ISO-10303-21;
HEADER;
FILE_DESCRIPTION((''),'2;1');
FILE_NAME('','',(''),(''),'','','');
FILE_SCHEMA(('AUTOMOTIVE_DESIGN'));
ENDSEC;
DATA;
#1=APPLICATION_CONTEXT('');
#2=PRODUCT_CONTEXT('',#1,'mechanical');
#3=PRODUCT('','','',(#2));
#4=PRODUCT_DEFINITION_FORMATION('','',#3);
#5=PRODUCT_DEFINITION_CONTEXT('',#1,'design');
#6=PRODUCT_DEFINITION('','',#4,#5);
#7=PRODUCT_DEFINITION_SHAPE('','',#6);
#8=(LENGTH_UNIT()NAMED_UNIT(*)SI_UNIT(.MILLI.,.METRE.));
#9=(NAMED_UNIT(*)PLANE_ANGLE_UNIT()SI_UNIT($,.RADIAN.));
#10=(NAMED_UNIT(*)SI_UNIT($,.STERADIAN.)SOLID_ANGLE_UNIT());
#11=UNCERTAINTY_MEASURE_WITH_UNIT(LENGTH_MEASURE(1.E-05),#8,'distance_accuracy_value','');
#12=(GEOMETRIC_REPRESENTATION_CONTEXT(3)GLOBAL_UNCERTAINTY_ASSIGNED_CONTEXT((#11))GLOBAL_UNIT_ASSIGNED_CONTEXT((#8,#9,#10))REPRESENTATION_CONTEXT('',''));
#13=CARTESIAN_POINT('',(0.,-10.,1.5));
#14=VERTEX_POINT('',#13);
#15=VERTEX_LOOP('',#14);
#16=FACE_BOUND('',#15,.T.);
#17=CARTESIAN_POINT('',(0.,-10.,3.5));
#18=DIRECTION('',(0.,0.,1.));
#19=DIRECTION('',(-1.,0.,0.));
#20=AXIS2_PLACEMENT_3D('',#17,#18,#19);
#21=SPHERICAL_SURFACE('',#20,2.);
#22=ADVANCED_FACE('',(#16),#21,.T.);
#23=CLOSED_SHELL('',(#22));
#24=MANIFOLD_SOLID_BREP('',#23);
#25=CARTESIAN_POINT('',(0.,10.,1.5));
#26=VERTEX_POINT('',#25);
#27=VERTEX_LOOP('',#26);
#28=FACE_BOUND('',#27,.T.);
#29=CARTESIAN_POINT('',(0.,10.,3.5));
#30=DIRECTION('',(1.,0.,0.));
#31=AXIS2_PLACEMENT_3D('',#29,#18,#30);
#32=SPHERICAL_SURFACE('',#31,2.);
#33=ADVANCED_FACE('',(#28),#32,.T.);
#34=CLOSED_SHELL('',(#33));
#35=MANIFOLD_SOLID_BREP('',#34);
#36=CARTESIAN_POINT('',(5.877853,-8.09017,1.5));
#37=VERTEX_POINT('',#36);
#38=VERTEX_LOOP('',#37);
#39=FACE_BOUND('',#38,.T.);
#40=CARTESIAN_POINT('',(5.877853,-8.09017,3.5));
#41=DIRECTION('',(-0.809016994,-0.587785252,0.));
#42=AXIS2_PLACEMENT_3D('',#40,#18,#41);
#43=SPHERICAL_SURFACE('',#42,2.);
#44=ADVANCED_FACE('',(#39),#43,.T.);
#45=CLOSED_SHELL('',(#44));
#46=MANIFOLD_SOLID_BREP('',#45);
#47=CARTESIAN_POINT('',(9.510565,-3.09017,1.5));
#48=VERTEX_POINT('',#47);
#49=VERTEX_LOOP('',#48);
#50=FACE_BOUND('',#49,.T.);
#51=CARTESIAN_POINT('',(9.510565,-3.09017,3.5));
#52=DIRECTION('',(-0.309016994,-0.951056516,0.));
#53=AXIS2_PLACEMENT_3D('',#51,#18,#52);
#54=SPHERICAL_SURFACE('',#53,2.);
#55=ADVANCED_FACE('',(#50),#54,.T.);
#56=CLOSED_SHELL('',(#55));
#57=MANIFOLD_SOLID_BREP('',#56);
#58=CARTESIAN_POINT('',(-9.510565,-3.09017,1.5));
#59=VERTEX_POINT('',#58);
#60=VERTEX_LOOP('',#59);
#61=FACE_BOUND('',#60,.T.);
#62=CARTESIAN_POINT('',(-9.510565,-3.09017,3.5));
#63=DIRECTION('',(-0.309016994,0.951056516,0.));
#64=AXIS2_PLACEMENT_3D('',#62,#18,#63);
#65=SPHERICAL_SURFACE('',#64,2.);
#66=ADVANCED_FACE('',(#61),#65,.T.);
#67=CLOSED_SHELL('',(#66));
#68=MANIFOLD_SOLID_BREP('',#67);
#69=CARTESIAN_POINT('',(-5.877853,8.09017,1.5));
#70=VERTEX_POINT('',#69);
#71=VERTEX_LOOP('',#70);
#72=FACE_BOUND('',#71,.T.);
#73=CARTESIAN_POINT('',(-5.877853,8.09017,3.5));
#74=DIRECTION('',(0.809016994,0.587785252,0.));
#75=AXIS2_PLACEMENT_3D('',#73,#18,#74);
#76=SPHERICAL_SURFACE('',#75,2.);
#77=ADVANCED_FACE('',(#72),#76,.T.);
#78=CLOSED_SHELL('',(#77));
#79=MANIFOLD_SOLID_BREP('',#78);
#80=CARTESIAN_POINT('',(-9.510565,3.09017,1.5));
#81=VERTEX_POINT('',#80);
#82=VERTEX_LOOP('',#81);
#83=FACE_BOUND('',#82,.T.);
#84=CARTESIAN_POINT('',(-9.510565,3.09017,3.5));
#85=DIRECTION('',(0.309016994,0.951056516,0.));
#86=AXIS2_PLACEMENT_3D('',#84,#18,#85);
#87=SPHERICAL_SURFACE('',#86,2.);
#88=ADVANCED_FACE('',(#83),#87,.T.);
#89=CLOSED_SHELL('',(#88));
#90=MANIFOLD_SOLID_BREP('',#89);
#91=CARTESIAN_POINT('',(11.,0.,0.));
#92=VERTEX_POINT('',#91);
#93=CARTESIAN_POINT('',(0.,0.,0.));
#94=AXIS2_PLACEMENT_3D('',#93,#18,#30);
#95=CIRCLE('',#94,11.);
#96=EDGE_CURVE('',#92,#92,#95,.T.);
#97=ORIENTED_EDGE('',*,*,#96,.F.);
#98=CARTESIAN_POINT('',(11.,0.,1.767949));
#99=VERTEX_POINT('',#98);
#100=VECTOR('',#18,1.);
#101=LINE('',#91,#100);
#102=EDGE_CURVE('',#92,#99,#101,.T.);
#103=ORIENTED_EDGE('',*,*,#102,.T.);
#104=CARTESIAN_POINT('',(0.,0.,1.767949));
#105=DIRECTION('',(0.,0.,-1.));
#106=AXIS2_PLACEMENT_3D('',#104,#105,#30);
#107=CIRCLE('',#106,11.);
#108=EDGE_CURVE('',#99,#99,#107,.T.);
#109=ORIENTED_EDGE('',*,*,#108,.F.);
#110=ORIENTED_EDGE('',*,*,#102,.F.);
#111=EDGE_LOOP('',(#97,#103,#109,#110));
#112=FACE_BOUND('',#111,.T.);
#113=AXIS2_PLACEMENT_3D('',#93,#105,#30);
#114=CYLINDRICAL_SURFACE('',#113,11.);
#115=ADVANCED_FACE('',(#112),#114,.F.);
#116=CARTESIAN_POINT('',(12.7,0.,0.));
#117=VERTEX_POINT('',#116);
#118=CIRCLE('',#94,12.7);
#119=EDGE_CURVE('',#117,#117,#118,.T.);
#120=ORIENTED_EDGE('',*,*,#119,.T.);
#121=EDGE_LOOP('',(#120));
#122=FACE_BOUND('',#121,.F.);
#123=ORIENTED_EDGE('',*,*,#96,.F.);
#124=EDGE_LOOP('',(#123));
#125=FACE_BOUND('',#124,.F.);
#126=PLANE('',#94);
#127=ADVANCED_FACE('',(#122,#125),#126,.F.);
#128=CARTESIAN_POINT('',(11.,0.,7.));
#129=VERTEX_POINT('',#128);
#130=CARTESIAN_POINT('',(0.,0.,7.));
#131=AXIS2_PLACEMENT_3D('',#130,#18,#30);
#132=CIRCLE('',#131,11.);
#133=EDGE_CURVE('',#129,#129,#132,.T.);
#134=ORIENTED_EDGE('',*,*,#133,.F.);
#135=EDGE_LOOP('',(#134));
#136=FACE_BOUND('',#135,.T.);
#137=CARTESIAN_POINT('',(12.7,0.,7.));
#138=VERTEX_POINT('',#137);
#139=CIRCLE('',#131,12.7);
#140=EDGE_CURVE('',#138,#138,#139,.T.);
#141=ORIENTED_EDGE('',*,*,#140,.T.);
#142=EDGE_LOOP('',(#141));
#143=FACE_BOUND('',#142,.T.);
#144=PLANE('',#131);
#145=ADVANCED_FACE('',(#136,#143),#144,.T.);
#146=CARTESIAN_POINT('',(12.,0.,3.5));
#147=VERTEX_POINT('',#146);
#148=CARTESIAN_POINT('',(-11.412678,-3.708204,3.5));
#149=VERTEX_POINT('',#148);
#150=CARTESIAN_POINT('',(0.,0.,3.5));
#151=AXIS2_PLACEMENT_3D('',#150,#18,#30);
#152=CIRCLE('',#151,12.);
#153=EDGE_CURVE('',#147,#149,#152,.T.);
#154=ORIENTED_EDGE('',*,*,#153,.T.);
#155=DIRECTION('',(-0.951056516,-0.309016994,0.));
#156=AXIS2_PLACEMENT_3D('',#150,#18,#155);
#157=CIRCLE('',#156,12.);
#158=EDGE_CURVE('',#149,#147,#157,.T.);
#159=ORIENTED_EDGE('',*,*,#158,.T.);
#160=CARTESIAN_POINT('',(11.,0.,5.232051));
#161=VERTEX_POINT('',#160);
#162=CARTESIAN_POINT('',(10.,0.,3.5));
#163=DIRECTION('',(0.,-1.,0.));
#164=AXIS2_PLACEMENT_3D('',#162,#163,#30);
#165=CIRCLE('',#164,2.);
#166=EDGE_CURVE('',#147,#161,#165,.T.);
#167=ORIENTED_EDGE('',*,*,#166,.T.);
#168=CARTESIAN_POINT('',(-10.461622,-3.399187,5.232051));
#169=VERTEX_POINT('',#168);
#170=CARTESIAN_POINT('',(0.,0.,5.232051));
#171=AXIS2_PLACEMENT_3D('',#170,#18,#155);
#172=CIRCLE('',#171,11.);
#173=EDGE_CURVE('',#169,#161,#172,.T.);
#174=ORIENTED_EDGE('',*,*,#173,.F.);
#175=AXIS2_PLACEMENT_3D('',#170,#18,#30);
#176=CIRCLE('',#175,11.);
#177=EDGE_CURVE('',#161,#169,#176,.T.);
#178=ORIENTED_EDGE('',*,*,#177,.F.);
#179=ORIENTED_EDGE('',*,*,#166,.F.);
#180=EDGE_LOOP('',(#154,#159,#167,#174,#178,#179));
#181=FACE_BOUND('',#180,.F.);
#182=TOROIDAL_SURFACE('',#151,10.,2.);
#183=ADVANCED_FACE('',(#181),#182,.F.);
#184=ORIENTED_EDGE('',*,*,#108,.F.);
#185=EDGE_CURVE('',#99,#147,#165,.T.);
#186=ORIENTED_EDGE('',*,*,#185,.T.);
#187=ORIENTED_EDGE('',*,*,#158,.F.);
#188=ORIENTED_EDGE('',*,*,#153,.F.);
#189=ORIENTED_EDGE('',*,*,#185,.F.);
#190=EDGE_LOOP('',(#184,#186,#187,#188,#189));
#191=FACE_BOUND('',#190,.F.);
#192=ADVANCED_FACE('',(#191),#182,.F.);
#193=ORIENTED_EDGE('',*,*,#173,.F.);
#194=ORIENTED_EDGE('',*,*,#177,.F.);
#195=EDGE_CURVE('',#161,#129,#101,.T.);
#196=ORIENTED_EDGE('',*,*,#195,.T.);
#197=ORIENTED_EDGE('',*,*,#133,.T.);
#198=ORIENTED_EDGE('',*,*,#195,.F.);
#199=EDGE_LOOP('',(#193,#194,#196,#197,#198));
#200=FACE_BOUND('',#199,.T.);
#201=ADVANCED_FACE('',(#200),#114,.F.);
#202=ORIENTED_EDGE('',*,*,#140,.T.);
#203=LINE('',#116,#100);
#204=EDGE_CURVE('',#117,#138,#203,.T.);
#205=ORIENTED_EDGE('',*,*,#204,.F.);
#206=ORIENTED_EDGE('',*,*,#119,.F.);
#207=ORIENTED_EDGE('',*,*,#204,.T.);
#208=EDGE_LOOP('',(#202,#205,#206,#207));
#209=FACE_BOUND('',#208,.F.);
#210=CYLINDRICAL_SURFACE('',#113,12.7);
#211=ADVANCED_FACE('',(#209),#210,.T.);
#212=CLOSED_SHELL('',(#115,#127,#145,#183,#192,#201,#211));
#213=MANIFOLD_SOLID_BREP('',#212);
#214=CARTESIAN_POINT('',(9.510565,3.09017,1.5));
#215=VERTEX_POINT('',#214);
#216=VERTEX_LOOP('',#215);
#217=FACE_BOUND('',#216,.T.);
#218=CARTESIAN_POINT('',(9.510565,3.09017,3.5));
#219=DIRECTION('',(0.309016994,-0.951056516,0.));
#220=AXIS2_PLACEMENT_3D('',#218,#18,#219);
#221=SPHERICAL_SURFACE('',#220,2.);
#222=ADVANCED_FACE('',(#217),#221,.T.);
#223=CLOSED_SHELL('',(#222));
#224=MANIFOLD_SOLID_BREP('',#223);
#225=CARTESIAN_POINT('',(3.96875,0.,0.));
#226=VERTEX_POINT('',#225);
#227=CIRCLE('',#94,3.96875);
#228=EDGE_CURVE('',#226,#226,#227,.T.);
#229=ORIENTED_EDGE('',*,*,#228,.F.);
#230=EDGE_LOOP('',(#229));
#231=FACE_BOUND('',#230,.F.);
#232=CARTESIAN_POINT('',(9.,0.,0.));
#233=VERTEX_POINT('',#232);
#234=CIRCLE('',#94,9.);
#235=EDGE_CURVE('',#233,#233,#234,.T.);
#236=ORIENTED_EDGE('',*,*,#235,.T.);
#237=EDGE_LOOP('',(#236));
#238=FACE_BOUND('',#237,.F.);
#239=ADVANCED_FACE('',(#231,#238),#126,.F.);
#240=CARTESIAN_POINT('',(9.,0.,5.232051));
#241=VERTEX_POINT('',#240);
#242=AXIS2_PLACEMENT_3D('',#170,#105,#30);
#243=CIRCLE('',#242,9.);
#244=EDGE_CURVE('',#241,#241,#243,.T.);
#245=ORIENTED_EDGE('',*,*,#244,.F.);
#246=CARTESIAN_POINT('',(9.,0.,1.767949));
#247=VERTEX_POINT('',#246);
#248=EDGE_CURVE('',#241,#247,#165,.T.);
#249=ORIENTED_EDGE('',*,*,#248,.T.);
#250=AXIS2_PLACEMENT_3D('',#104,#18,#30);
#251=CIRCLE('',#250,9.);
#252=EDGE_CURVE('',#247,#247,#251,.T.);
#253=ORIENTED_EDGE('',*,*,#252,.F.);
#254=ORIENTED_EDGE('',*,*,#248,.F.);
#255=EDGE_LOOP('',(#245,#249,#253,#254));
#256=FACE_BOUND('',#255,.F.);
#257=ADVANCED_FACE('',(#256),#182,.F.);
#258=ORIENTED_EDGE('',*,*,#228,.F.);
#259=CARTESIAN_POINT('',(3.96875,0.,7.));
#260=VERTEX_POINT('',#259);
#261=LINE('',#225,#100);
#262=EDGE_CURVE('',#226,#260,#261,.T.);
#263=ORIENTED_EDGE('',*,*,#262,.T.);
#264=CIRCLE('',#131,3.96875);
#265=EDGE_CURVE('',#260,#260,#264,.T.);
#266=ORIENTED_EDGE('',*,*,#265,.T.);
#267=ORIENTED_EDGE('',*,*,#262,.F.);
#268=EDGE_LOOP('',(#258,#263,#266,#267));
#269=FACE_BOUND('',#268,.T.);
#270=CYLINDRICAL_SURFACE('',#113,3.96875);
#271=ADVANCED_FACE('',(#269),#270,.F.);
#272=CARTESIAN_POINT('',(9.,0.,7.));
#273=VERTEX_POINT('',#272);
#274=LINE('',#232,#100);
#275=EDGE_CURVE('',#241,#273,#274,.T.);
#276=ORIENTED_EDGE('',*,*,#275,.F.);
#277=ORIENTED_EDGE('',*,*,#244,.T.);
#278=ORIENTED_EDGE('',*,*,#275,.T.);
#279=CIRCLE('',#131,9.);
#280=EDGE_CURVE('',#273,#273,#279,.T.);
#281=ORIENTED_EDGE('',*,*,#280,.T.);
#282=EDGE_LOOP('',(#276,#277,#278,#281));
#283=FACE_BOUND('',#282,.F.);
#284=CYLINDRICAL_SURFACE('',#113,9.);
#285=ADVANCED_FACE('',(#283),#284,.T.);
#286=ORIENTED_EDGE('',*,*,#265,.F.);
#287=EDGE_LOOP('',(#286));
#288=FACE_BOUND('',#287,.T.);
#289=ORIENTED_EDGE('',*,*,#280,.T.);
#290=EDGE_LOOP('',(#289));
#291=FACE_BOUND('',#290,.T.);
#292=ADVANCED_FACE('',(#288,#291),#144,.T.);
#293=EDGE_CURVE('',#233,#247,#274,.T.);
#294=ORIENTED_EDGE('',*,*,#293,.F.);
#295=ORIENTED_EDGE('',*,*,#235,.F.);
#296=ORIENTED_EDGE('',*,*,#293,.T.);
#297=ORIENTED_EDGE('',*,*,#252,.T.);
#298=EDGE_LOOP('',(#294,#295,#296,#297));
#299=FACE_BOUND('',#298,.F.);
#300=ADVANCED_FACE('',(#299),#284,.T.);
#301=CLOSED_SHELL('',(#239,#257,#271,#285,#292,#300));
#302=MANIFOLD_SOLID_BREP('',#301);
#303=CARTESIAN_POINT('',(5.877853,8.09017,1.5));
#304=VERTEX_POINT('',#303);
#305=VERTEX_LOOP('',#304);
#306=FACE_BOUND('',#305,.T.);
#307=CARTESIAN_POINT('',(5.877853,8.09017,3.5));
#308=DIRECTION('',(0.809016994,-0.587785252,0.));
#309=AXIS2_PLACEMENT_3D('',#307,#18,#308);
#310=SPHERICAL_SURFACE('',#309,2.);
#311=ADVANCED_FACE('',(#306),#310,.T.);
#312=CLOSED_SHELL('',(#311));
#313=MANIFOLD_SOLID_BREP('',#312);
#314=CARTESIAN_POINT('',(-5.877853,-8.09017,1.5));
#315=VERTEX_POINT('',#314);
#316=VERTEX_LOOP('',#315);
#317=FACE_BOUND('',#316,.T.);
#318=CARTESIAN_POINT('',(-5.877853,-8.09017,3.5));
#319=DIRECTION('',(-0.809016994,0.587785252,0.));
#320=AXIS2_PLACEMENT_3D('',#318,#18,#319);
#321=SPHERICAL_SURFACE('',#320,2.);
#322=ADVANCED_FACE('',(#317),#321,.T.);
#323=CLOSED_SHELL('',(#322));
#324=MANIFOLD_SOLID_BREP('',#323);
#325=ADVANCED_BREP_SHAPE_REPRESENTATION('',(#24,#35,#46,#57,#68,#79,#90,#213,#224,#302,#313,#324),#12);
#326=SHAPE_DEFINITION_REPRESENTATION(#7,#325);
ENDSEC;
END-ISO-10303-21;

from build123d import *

# Parameters (mm, degrees)
ARRAY_COUNT       = 10
TORUS_R           = 2
CYLINDER002_R     = 3.96875
CYLINDER002_DEPTH = 7
CYLINDER003_R     = 9
CYLINDER003_DEPTH = 7
CYLINDER001_R     = 11
CYLINDER001_DEPTH = 7
CYLINDER_R        = 12.7
CYLINDER_DEPTH    = 7


with BuildPart() as array:
    # Sphere → Sphere (revolve)
    with BuildSketch(Plane(origin=(0, 10, 3.5), x_dir=(1, 0, 0), z_dir=(0, -1, 0))):
        with BuildLine():
            ThreePointArc((0, -2), (2, 0), (0, 2))
            Line((0, 2), (0, -2))
        make_face()
    revolve(axis=Axis((0, 10, 3.5), (0, 0, 1)))

    # Array: Array ×10 about axis
    array_axis = Axis((0, 0, 0), (0, 0, 1))


with BuildPart() as array_1:
    add(array.part)
    for i in range(1, ARRAY_COUNT):
        add(array.part.rotate(array_axis, i * 360 / ARRAY_COUNT))


with BuildPart() as toro:
    # Torus → Torus (revolve)
    with BuildSketch(Plane(origin=(0, 0, 3.5), x_dir=(1, 0, 0), z_dir=(0, -1, 0))):
        with Locations((10, 0)):
            Circle(TORUS_R)
    revolve(axis=Axis((0, 0, 3.5), (0, 0, 1)))


with BuildPart() as cilindro002:
    # Cylinder002 → Cylinder002 (new body)
    with BuildSketch(Plane.XY):
        Circle(CYLINDER002_R)
    extrude(amount=CYLINDER002_DEPTH)


with BuildPart() as cut001:
    # Cylinder003 → Cylinder003 (new body)
    with BuildSketch(Plane.XY):
        Circle(CYLINDER003_R)
    extrude(amount=CYLINDER003_DEPTH)

    # Cut001: cut Cilindro002
    add(cilindro002.part, mode=Mode.SUBTRACT)


with BuildPart() as cilindro001:
    # Cylinder001 → Cylinder001 (new body)
    with BuildSketch(Plane.XY):
        Circle(CYLINDER001_R)
    extrude(amount=CYLINDER001_DEPTH)


with BuildPart() as fusion001:
    # Cylinder → Cylinder (new body)
    with BuildSketch(Plane.XY):
        Circle(CYLINDER_R)
    extrude(amount=CYLINDER_DEPTH)

    # Cut: cut Cilindro001
    add(cilindro001.part, mode=Mode.SUBTRACT)

    # Fusion: union Cut001
    add(cut001.part)

    # Cut002: cut Toro
    add(toro.part, mode=Mode.SUBTRACT)

    # Fusion001: union Array
    add(array_1.part)


solid = fusion001.part
